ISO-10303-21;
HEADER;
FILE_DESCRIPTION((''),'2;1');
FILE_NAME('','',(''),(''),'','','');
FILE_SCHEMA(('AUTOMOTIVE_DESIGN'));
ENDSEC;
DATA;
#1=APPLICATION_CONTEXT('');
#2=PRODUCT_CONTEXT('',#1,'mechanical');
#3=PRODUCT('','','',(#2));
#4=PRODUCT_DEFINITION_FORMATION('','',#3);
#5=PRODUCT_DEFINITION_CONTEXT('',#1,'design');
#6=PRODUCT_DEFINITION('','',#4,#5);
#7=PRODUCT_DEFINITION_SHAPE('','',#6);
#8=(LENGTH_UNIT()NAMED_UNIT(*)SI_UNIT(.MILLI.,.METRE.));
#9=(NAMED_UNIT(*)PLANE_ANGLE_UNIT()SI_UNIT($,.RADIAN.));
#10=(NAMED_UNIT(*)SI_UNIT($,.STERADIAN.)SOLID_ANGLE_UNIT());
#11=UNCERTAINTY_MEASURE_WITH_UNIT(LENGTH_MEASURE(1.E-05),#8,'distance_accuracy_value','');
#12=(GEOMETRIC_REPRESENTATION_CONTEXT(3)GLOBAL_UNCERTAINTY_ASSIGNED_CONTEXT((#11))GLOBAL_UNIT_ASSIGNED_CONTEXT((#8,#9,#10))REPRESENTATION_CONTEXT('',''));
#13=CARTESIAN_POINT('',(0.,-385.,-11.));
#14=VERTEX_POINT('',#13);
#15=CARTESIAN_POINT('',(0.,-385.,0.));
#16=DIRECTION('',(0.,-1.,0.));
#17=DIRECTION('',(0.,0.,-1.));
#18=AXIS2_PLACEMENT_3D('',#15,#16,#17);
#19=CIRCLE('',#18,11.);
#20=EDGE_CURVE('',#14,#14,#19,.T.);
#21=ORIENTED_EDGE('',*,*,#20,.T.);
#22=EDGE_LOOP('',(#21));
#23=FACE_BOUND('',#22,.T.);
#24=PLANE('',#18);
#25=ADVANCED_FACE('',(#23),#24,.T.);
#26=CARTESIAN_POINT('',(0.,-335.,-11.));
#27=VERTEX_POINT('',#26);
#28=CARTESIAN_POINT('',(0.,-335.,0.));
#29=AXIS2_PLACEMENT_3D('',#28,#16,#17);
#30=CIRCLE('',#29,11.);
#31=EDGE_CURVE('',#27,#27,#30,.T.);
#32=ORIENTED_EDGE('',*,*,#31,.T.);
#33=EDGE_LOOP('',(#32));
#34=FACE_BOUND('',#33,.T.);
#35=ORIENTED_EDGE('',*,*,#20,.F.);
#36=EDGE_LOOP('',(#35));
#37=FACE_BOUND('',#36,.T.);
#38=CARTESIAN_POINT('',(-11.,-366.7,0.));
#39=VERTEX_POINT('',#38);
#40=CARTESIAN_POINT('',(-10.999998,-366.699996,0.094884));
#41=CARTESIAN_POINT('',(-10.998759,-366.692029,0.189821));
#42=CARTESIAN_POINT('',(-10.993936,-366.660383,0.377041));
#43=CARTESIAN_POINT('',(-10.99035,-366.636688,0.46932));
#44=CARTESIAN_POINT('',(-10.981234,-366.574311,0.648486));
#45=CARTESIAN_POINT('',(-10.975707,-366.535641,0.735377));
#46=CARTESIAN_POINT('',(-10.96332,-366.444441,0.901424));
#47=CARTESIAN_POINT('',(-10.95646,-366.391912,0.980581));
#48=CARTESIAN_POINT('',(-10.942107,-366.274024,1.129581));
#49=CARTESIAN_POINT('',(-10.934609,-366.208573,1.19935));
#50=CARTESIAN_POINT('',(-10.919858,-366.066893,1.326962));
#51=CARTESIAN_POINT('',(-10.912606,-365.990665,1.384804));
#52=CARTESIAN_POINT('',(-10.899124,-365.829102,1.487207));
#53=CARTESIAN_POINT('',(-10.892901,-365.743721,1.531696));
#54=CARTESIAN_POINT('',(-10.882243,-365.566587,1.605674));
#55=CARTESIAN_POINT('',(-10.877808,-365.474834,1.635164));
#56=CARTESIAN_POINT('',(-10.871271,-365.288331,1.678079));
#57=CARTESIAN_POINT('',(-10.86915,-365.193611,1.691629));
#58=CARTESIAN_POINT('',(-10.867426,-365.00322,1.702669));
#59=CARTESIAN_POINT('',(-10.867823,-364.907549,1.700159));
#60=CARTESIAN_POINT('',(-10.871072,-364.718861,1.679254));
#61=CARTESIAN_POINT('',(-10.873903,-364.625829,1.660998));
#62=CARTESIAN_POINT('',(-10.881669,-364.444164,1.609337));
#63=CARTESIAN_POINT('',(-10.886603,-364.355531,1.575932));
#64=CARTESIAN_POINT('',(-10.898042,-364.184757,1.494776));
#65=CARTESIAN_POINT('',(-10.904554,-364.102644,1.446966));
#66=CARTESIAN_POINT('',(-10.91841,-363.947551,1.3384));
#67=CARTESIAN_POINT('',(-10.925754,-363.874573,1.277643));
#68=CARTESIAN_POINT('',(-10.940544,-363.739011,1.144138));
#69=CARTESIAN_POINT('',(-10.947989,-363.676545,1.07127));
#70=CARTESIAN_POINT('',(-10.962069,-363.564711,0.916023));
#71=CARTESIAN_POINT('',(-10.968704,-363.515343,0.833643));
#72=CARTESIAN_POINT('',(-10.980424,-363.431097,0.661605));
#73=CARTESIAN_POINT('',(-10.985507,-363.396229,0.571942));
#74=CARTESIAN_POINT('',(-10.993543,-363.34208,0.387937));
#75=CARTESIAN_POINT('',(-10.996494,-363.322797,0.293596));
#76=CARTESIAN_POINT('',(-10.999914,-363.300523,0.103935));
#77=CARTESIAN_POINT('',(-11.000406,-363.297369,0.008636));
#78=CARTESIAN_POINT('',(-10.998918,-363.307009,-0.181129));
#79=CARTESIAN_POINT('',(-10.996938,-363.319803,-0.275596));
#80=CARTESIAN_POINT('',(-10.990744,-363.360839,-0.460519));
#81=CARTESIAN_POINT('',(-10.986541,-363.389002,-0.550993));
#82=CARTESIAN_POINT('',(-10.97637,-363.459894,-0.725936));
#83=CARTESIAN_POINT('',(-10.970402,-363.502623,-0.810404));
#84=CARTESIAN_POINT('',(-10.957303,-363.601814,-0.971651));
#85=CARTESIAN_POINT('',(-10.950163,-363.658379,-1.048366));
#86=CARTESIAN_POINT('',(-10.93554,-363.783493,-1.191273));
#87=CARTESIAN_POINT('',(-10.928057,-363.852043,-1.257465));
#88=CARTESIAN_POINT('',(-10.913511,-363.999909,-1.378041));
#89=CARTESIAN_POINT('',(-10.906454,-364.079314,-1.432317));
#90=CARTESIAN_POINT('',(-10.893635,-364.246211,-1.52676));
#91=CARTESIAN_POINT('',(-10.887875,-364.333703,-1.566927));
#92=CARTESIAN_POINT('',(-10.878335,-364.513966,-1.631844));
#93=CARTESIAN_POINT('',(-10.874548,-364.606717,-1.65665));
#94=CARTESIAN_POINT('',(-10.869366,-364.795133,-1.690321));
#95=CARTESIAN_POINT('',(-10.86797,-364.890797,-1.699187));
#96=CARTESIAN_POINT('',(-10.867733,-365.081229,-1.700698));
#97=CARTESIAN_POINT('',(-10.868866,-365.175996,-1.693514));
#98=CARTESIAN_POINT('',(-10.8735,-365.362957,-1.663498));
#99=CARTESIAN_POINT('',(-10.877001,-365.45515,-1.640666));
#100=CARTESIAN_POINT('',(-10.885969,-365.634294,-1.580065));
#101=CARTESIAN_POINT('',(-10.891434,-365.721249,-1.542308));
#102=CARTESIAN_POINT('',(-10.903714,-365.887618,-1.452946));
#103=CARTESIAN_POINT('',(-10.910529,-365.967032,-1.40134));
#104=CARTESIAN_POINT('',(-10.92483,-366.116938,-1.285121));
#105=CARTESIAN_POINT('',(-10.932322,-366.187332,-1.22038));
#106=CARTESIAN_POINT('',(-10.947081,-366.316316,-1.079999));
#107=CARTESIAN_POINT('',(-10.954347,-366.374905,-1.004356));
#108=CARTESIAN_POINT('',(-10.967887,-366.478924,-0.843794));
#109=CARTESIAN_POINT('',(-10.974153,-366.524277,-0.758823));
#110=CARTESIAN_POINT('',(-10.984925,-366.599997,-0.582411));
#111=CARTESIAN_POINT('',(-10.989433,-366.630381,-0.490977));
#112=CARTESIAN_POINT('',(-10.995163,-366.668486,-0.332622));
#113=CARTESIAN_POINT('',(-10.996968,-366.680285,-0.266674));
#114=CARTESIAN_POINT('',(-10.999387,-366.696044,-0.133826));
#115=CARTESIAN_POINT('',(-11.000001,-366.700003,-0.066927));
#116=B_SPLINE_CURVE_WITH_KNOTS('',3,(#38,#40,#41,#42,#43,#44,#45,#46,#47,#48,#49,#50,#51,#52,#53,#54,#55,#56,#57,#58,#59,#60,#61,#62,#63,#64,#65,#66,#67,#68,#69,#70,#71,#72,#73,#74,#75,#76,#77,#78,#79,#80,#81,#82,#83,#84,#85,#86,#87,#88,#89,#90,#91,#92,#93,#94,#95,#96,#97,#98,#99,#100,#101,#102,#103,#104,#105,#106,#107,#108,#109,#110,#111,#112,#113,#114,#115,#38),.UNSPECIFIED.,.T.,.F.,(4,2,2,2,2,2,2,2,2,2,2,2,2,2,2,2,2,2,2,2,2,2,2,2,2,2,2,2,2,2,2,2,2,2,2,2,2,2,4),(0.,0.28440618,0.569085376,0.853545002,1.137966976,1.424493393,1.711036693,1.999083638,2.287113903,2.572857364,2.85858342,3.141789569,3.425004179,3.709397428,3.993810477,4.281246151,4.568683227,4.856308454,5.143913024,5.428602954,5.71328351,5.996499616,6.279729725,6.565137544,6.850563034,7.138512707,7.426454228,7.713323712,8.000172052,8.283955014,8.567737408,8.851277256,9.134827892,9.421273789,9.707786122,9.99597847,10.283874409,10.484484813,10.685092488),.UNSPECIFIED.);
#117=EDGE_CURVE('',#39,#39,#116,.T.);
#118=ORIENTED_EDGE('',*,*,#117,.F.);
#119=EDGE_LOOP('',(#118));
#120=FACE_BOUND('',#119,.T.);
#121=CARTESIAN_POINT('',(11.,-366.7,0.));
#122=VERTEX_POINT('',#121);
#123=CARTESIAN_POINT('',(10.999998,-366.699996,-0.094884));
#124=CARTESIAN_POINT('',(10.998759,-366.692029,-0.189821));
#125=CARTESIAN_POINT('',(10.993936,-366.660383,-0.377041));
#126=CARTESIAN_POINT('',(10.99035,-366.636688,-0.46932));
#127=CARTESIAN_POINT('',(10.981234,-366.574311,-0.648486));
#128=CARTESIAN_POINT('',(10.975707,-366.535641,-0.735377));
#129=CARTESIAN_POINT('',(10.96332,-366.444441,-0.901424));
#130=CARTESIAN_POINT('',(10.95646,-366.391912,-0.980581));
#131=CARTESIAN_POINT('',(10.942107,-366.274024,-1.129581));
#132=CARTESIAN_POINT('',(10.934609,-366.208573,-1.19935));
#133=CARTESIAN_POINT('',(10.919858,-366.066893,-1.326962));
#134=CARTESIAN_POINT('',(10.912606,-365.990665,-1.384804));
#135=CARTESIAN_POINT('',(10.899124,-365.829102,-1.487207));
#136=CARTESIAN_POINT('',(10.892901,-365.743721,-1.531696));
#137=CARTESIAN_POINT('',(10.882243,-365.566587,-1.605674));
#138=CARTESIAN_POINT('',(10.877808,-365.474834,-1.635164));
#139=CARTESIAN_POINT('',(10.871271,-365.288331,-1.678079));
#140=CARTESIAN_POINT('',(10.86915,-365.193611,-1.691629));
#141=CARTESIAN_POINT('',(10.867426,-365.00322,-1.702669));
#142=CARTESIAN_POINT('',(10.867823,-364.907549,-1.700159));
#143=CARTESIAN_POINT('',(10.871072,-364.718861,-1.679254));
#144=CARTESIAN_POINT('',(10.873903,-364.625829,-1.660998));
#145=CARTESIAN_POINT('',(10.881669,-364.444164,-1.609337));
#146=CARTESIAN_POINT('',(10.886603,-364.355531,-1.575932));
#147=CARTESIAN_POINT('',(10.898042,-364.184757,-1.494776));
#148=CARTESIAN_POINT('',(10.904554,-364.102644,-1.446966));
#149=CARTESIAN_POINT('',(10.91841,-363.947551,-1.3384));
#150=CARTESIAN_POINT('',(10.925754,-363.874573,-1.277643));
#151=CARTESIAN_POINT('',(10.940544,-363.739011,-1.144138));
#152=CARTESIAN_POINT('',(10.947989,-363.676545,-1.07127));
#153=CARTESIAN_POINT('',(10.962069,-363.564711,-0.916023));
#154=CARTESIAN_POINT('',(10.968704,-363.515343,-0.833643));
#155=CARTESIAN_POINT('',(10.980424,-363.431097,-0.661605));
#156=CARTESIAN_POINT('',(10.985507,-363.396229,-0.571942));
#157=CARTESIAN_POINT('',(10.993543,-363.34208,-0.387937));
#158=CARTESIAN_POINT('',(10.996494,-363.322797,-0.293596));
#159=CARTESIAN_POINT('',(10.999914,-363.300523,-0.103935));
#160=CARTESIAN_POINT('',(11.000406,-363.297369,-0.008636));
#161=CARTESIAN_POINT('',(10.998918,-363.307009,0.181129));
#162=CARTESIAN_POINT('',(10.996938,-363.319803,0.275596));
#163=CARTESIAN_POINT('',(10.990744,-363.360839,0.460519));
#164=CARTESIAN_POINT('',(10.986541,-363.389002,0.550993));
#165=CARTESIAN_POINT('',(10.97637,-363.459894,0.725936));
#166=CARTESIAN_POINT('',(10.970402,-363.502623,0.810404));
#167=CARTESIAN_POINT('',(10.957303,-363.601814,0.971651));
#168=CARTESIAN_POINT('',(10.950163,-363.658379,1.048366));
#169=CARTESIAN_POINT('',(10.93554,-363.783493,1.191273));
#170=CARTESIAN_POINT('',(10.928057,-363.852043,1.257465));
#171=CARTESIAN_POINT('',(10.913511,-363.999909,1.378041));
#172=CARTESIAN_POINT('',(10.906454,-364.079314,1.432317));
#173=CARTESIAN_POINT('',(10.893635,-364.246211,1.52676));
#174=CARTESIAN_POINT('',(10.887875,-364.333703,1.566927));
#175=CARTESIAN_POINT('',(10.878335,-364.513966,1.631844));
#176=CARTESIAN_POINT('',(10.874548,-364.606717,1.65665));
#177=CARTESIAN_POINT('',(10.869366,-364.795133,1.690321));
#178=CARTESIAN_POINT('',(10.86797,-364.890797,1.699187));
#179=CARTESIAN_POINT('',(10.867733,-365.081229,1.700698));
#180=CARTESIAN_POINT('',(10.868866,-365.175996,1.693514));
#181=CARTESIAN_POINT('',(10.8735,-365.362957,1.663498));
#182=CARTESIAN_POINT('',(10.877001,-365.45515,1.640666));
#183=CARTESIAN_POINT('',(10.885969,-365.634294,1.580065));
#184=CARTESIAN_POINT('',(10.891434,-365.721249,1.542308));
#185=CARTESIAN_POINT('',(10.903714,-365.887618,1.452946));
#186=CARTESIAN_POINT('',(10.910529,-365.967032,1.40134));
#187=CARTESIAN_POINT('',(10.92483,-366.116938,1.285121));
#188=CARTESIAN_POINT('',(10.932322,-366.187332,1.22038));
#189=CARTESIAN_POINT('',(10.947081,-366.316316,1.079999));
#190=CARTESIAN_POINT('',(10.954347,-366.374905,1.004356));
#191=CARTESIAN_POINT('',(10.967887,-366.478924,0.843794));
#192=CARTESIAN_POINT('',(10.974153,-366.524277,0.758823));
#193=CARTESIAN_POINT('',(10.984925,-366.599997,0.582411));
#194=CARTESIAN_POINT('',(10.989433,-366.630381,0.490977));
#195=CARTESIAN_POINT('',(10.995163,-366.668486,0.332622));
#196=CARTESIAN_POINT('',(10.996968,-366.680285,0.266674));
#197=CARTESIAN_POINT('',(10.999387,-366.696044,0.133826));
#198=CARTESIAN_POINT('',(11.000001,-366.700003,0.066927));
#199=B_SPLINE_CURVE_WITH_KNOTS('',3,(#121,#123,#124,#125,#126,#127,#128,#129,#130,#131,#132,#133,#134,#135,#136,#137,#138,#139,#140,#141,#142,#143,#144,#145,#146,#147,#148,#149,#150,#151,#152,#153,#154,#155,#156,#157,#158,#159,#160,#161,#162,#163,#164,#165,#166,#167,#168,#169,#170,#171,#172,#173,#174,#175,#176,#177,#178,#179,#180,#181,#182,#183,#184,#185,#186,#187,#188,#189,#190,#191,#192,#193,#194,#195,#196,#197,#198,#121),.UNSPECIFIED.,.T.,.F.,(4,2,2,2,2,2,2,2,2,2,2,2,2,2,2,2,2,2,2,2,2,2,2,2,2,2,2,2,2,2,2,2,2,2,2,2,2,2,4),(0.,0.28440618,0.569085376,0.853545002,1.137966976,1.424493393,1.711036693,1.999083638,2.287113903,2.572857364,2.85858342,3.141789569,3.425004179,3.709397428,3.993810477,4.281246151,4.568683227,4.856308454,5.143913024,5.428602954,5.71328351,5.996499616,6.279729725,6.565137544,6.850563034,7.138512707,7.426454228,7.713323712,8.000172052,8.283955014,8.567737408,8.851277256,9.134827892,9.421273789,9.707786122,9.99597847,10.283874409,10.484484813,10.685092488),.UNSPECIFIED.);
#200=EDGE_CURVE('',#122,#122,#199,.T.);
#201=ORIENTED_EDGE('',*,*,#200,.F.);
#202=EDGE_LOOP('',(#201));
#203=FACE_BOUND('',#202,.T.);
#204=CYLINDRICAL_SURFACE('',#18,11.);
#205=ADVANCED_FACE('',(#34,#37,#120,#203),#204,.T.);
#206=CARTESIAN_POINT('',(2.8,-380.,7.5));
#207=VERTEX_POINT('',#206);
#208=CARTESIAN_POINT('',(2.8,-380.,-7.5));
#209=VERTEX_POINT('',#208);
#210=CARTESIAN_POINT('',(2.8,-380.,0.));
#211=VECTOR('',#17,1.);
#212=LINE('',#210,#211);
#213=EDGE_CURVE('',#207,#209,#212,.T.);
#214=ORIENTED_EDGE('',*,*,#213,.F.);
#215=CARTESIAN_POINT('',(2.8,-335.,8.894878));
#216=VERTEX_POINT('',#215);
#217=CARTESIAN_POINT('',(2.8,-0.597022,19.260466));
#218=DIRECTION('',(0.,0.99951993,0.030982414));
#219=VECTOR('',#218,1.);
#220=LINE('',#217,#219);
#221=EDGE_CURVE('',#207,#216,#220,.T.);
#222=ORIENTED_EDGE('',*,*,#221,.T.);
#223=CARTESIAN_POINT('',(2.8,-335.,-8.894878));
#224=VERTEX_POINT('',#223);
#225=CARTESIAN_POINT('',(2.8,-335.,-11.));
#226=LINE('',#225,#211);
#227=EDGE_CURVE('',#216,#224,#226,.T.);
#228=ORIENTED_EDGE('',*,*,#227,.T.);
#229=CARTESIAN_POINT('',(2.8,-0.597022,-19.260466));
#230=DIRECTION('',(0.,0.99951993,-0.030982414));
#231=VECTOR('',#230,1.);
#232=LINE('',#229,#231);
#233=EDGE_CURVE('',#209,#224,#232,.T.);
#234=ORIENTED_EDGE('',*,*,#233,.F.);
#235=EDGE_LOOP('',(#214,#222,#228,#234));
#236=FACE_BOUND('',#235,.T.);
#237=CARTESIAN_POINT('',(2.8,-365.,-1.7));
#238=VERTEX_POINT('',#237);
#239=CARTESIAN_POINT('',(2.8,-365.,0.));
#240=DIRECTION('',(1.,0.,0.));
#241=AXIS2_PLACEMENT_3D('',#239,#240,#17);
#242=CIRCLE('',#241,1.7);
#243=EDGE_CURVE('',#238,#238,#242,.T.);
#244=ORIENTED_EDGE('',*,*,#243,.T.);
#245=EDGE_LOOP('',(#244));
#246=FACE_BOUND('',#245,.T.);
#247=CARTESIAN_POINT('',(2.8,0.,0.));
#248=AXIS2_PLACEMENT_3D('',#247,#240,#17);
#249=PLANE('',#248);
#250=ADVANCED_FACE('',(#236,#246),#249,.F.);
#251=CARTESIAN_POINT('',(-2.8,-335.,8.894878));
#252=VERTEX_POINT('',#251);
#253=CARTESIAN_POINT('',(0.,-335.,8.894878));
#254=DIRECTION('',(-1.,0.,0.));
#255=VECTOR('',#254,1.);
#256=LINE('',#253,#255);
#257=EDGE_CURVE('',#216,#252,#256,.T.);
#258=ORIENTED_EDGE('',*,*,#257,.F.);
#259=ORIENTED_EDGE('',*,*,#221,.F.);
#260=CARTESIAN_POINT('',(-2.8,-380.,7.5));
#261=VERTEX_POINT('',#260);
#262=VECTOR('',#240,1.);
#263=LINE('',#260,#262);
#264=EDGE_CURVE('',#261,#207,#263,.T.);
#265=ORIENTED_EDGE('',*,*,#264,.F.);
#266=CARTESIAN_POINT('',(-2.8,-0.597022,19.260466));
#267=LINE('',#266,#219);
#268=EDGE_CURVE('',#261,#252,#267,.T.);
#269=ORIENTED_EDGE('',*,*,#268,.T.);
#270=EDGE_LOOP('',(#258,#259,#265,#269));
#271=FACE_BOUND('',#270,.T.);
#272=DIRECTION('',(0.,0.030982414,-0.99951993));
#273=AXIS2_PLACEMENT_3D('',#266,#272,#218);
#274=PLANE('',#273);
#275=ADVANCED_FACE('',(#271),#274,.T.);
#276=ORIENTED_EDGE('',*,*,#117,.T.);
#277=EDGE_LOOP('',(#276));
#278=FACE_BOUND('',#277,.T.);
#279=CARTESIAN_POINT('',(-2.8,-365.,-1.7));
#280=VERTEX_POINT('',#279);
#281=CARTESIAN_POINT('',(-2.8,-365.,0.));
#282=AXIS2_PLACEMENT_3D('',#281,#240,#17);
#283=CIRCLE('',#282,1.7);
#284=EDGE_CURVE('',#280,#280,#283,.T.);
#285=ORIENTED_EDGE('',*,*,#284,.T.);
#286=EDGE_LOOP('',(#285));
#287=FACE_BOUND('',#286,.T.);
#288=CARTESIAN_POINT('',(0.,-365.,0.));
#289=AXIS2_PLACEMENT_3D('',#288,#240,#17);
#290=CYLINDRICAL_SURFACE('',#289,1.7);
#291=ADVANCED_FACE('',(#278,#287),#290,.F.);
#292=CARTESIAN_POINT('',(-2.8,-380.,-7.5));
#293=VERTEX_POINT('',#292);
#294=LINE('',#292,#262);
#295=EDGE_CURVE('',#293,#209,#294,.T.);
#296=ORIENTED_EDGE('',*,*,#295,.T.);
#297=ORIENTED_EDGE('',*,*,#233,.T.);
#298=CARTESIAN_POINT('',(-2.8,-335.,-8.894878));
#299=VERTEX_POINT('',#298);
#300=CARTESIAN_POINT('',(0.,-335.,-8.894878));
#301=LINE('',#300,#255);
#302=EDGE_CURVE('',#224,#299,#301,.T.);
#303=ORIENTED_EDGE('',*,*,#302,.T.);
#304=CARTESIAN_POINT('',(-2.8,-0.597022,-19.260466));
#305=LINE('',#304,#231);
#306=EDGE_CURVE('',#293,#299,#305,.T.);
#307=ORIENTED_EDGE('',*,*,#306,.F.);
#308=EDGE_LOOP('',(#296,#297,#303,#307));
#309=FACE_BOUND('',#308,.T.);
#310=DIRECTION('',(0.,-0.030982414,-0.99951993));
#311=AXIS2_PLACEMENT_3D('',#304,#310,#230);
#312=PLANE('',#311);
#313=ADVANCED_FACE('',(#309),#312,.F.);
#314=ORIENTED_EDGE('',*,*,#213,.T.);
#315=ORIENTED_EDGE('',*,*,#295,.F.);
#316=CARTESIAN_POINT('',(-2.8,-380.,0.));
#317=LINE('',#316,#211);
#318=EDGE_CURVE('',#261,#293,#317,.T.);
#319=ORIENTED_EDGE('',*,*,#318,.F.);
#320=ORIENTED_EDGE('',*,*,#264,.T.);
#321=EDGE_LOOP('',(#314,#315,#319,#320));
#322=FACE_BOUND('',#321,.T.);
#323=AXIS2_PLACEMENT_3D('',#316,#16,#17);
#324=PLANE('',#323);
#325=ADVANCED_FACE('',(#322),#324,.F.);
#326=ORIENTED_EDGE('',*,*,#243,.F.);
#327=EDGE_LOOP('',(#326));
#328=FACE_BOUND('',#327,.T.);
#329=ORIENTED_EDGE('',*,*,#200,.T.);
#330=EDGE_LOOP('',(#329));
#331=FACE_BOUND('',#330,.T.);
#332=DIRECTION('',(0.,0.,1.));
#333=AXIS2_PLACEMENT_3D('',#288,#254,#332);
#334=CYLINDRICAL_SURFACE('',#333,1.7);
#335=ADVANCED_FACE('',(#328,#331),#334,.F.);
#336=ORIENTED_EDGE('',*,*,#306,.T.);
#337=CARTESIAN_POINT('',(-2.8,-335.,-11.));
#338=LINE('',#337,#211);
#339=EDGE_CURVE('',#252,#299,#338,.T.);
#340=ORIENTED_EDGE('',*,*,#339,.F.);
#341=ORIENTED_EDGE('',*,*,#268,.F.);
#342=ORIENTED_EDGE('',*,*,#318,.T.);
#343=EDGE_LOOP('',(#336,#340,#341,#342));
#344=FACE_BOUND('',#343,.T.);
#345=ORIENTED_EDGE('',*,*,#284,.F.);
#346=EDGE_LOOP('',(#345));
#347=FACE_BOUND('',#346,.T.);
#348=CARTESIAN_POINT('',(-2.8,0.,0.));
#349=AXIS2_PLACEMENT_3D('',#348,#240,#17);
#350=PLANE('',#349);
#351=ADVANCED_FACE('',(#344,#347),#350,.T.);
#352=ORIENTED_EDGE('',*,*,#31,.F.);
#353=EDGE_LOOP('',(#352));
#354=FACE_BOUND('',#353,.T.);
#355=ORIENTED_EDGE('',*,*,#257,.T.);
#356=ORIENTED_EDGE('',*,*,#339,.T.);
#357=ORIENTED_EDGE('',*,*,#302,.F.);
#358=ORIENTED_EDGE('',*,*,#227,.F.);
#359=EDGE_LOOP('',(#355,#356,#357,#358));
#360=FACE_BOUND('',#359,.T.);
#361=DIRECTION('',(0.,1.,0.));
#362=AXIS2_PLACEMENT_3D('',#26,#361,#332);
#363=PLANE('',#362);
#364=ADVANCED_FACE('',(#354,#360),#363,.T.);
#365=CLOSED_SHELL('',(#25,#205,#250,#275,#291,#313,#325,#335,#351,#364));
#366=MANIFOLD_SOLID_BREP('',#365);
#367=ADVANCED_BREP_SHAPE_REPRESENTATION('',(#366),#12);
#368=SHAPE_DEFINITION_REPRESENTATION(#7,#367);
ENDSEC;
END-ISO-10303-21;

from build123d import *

# Parameters (mm, degrees)
SKETCH2_W          = 11
SKETCH2_H          = 50
CUT_EXTRUDE1_DEPTH = 2.8


with BuildPart() as part:
    # Sketch2 → Revolve1 (revolve)
    with BuildSketch(Plane(origin=(0, 0, 0), x_dir=(0, 0, -1), z_dir=(1, 0, 0))):
        with Locations((5.5, -360)):
            Rectangle(SKETCH2_W, SKETCH2_H)
    revolve(axis=Axis((0, -385, 0), (0, 1, 0)))

    # Sketch1 → Cut-Extrude1 (cut, symmetric)
    with BuildSketch(Plane(origin=(0, 0, 0), x_dir=(0, 0, -1), z_dir=(1, 0, 0))):
        Polygon((-38.186717683, 609.980512405), (-17.5, -57.391201416), (-7.5, -380), (7.5, -380), (17.5, -57.391201416), (38.186717683, 609.980512405), (38.186717683, 1945.365018378), (-38.186717683, 1945.365018378), align=None)
    extrude(amount=CUT_EXTRUDE1_DEPTH, both=True, mode=Mode.SUBTRACT)

    # Sketch4 → M3 Clearance Hole1 (revolve, cut)
    with BuildSketch(Plane.ZX.offset(-365)):
        Polygon((0, 0), (0, 11), (1.7, 11), (1.7, 0.020977491), (1.725, 0), align=None)
    m3_clearance_hole1 = revolve(axis=Axis((-6.35, -365, 0), (1, 0, 0)), mode=Mode.SUBTRACT)

    # Mirror1: M3 Clearance Hole1 across plane
    add(m3_clearance_hole1.mirror(Plane(origin=(0, 0, 0), x_dir=(0, 0, 1), z_dir=(1, 0, 0))), mode=Mode.SUBTRACT)


solid = part.part
